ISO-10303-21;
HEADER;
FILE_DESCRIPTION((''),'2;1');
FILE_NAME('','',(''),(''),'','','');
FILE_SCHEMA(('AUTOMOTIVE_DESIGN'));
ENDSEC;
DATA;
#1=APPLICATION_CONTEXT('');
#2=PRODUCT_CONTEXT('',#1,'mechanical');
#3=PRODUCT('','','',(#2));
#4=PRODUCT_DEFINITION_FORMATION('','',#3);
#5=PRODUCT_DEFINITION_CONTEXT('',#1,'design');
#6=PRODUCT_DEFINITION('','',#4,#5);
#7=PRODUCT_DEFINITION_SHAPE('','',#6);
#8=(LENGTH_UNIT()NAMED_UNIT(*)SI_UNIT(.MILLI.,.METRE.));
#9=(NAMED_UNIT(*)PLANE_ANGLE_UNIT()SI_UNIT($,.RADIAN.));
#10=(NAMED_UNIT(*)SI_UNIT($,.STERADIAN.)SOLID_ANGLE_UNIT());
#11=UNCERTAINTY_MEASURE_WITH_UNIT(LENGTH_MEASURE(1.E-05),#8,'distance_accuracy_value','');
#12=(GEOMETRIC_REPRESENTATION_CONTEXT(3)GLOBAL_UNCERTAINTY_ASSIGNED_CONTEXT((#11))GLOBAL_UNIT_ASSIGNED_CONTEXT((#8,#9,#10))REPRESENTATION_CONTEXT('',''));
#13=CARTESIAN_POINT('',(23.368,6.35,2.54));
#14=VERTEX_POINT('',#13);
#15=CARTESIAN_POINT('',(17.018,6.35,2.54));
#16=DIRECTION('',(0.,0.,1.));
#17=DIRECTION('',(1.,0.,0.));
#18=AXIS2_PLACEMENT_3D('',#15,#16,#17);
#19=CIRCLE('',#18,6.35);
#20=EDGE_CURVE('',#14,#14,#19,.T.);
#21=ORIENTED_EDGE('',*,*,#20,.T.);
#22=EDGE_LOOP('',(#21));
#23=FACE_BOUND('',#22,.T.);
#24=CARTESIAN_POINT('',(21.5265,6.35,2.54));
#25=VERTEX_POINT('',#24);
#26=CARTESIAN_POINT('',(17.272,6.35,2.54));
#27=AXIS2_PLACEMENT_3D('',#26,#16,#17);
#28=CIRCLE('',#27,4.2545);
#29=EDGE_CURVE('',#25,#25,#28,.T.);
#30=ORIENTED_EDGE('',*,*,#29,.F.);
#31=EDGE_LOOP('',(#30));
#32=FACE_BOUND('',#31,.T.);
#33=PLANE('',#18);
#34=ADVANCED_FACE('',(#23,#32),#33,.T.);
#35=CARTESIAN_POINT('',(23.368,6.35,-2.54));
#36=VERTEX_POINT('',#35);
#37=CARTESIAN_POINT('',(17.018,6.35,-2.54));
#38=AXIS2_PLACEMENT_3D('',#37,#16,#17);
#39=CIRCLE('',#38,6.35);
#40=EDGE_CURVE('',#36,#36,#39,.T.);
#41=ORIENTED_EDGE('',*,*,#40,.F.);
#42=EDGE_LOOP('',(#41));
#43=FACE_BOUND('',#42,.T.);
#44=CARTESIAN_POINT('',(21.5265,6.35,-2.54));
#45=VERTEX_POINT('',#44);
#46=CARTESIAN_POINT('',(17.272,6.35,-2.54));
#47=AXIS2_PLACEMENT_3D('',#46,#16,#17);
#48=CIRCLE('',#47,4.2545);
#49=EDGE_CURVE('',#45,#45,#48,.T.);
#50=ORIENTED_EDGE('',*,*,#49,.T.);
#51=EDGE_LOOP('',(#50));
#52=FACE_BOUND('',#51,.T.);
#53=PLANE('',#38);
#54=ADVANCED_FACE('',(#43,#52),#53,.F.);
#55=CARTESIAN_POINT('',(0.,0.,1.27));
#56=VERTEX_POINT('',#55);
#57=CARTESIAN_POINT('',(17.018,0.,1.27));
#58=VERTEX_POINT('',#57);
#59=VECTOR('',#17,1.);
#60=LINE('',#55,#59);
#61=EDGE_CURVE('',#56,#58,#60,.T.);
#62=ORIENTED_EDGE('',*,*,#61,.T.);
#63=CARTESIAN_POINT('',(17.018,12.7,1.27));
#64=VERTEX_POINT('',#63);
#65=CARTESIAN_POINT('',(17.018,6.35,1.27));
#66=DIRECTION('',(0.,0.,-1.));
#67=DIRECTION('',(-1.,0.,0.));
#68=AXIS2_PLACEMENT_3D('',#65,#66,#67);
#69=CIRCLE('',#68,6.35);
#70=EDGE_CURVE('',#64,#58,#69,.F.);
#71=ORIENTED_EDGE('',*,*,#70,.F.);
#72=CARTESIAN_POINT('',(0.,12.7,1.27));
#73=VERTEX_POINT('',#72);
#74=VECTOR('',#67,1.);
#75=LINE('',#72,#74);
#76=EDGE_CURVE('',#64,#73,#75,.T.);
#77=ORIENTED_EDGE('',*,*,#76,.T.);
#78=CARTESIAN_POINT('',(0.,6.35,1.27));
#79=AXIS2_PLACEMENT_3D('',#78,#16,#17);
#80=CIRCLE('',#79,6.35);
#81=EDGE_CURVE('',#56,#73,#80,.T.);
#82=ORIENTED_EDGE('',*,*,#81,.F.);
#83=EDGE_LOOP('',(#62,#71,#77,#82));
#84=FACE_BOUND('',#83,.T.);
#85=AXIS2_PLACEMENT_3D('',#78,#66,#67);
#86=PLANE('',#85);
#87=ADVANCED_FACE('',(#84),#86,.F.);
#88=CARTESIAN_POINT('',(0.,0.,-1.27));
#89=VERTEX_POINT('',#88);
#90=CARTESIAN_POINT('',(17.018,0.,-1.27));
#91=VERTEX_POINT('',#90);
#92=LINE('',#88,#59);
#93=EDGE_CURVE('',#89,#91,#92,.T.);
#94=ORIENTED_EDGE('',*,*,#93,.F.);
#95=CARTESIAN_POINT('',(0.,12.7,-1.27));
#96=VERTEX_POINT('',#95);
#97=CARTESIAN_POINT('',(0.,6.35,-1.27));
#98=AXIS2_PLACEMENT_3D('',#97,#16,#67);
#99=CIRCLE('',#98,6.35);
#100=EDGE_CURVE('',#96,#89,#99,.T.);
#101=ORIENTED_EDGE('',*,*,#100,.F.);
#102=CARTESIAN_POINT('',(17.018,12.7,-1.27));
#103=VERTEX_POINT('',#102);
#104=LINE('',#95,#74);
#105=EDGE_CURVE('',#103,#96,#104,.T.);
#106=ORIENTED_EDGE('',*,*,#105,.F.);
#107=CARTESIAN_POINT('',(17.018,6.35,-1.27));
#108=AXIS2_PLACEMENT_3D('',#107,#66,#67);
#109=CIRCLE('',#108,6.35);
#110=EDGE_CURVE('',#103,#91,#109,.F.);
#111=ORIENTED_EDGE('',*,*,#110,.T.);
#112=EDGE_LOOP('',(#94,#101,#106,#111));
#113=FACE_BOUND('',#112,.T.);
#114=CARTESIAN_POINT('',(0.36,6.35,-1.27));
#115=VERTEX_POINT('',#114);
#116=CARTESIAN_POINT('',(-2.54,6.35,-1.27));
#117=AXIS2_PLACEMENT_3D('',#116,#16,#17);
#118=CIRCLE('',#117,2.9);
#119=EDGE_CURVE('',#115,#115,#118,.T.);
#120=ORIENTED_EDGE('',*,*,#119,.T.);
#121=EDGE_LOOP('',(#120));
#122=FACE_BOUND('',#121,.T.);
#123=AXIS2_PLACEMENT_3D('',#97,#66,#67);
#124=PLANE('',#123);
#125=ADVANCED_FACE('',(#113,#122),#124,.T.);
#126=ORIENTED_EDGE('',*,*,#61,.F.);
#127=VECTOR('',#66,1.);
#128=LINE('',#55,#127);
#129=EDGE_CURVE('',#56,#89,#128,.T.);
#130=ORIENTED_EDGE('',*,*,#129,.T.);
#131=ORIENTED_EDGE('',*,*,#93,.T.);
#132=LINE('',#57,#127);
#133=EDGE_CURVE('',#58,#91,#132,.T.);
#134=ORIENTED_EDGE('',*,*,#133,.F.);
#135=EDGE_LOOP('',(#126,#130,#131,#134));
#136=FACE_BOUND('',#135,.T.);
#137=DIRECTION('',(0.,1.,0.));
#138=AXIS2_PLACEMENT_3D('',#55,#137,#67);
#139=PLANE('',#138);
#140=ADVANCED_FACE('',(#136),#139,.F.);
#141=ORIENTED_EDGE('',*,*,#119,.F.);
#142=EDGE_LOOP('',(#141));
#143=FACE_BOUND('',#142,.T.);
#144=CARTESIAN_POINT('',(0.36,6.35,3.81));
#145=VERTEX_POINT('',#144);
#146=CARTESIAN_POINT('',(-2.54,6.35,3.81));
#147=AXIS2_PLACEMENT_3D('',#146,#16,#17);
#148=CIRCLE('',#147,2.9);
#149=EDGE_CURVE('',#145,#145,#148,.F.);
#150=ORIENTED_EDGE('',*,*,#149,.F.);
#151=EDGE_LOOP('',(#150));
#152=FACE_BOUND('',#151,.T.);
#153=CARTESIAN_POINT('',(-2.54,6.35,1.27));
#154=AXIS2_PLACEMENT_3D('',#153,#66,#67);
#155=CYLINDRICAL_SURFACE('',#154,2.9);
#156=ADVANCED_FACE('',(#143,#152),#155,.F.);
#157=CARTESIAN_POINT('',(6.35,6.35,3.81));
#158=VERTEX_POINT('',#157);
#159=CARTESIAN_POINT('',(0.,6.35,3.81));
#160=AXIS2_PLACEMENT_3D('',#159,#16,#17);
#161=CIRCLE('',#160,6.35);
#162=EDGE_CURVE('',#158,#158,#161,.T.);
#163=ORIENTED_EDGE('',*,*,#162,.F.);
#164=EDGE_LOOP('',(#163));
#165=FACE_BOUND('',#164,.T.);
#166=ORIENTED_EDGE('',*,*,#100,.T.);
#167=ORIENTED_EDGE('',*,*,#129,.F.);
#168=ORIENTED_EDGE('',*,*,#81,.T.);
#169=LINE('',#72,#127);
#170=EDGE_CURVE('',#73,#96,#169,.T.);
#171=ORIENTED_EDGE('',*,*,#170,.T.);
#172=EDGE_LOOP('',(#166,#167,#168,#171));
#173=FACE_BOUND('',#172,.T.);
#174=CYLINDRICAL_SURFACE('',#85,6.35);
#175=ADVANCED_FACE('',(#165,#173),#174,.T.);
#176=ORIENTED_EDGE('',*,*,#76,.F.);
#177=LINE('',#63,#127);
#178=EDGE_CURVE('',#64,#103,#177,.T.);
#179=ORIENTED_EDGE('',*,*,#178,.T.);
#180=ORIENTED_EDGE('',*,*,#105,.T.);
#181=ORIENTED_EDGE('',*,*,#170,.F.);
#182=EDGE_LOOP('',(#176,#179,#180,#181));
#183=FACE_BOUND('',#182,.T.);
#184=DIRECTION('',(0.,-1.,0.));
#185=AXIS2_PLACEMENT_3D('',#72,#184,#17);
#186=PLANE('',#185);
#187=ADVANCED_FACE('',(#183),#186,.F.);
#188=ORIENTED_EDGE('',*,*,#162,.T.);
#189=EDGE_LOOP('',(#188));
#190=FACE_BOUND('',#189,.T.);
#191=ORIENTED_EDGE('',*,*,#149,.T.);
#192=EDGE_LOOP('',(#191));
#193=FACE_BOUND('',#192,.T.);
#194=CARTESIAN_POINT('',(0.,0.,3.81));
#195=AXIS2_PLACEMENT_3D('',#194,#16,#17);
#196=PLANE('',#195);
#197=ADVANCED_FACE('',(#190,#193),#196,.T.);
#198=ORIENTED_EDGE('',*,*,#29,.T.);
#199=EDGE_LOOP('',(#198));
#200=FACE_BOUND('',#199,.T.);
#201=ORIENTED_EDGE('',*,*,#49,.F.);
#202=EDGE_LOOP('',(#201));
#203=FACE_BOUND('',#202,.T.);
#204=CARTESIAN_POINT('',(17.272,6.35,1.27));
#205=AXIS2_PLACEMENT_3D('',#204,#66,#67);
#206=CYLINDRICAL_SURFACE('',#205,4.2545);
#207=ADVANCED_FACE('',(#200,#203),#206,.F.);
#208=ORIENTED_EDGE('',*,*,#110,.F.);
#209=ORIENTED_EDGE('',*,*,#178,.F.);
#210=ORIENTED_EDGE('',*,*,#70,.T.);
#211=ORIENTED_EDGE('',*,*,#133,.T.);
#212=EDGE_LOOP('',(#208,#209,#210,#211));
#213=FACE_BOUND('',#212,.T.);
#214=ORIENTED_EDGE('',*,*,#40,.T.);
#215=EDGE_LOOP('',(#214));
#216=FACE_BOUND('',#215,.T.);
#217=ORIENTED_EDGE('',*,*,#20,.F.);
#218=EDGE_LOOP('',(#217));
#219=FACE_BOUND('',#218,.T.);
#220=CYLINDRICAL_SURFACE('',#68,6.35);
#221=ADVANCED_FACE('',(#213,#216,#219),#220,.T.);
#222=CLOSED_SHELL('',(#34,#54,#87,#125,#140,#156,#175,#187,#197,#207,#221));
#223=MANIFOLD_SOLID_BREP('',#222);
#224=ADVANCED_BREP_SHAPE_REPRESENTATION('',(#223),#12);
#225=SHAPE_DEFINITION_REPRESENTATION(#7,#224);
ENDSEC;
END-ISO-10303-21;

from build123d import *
from build123d.topology import SkipClean

# Parameters (mm, degrees)
SKETCH1_R           = 2.9
SKETCH1_R_2         = 4.2545
BOSS_EXTRUDE1_DEPTH = 1.27
BOSS_EXTRUDE2_START = 2.54
SKETCH2_R           = 2.9
BOSS_EXTRUDE2_DEPTH = 2.54
SKETCH4_R           = 6.35
SKETCH4_R_2         = 4.2545
BOSS_EXTRUDE4_DEPTH = 2.54


with BuildPart() as part:
    # Sketch1 → Boss-Extrude1 (new, symmetric)
    with BuildSketch(Plane.XY):
        with BuildLine():
            Line((0, 12.7), (17.018, 12.7))
            ThreePointArc((17.018, 12.7), (23.368, 6.35), (17.018, 0))
            Line((17.018, 0), (0, 0))
            ThreePointArc((0, 0), (-6.35, 6.35), (0, 12.7))
        make_face()
        with Locations((-2.54, 6.35)):
            Circle(SKETCH1_R, mode=Mode.SUBTRACT)
        with Locations((17.272, 6.35)):
            Circle(SKETCH1_R_2, mode=Mode.SUBTRACT)
    extrude(amount=BOSS_EXTRUDE1_DEPTH, both=True)

    # Sketch2 → Boss-Extrude2 (add)
    with SkipClean():  # the faces are left unmerged after this step: merging them gives an invalid solid
        with BuildSketch(Plane.XY.offset(1.27).offset(BOSS_EXTRUDE2_START)):
            with BuildLine():
                ThreePointArc((0, 0), (4.490128061, 1.859871939), (6.35, 6.35))
                ThreePointArc((6.35, 6.35), (4.490128061, 10.840128061), (0, 12.7))
                ThreePointArc((0, 12.7), (-6.35, 6.35), (0, 0))
            make_face()
            with Locations((-2.54, 6.35)):
                Circle(SKETCH2_R, mode=Mode.SUBTRACT)
        extrude(amount=-BOSS_EXTRUDE2_DEPTH)

    # Sketch4 → Boss-Extrude4 (add, symmetric)
    with SkipClean():  # the faces are left unmerged after this step: merging them gives an invalid solid
        with BuildSketch(Plane.XY):
            with Locations((17.018, 6.35)):
                Circle(SKETCH4_R)
            with Locations((17.272, 6.35)):
                Circle(SKETCH4_R_2, mode=Mode.SUBTRACT)
        extrude(amount=BOSS_EXTRUDE4_DEPTH, both=True)


solid = part.part
